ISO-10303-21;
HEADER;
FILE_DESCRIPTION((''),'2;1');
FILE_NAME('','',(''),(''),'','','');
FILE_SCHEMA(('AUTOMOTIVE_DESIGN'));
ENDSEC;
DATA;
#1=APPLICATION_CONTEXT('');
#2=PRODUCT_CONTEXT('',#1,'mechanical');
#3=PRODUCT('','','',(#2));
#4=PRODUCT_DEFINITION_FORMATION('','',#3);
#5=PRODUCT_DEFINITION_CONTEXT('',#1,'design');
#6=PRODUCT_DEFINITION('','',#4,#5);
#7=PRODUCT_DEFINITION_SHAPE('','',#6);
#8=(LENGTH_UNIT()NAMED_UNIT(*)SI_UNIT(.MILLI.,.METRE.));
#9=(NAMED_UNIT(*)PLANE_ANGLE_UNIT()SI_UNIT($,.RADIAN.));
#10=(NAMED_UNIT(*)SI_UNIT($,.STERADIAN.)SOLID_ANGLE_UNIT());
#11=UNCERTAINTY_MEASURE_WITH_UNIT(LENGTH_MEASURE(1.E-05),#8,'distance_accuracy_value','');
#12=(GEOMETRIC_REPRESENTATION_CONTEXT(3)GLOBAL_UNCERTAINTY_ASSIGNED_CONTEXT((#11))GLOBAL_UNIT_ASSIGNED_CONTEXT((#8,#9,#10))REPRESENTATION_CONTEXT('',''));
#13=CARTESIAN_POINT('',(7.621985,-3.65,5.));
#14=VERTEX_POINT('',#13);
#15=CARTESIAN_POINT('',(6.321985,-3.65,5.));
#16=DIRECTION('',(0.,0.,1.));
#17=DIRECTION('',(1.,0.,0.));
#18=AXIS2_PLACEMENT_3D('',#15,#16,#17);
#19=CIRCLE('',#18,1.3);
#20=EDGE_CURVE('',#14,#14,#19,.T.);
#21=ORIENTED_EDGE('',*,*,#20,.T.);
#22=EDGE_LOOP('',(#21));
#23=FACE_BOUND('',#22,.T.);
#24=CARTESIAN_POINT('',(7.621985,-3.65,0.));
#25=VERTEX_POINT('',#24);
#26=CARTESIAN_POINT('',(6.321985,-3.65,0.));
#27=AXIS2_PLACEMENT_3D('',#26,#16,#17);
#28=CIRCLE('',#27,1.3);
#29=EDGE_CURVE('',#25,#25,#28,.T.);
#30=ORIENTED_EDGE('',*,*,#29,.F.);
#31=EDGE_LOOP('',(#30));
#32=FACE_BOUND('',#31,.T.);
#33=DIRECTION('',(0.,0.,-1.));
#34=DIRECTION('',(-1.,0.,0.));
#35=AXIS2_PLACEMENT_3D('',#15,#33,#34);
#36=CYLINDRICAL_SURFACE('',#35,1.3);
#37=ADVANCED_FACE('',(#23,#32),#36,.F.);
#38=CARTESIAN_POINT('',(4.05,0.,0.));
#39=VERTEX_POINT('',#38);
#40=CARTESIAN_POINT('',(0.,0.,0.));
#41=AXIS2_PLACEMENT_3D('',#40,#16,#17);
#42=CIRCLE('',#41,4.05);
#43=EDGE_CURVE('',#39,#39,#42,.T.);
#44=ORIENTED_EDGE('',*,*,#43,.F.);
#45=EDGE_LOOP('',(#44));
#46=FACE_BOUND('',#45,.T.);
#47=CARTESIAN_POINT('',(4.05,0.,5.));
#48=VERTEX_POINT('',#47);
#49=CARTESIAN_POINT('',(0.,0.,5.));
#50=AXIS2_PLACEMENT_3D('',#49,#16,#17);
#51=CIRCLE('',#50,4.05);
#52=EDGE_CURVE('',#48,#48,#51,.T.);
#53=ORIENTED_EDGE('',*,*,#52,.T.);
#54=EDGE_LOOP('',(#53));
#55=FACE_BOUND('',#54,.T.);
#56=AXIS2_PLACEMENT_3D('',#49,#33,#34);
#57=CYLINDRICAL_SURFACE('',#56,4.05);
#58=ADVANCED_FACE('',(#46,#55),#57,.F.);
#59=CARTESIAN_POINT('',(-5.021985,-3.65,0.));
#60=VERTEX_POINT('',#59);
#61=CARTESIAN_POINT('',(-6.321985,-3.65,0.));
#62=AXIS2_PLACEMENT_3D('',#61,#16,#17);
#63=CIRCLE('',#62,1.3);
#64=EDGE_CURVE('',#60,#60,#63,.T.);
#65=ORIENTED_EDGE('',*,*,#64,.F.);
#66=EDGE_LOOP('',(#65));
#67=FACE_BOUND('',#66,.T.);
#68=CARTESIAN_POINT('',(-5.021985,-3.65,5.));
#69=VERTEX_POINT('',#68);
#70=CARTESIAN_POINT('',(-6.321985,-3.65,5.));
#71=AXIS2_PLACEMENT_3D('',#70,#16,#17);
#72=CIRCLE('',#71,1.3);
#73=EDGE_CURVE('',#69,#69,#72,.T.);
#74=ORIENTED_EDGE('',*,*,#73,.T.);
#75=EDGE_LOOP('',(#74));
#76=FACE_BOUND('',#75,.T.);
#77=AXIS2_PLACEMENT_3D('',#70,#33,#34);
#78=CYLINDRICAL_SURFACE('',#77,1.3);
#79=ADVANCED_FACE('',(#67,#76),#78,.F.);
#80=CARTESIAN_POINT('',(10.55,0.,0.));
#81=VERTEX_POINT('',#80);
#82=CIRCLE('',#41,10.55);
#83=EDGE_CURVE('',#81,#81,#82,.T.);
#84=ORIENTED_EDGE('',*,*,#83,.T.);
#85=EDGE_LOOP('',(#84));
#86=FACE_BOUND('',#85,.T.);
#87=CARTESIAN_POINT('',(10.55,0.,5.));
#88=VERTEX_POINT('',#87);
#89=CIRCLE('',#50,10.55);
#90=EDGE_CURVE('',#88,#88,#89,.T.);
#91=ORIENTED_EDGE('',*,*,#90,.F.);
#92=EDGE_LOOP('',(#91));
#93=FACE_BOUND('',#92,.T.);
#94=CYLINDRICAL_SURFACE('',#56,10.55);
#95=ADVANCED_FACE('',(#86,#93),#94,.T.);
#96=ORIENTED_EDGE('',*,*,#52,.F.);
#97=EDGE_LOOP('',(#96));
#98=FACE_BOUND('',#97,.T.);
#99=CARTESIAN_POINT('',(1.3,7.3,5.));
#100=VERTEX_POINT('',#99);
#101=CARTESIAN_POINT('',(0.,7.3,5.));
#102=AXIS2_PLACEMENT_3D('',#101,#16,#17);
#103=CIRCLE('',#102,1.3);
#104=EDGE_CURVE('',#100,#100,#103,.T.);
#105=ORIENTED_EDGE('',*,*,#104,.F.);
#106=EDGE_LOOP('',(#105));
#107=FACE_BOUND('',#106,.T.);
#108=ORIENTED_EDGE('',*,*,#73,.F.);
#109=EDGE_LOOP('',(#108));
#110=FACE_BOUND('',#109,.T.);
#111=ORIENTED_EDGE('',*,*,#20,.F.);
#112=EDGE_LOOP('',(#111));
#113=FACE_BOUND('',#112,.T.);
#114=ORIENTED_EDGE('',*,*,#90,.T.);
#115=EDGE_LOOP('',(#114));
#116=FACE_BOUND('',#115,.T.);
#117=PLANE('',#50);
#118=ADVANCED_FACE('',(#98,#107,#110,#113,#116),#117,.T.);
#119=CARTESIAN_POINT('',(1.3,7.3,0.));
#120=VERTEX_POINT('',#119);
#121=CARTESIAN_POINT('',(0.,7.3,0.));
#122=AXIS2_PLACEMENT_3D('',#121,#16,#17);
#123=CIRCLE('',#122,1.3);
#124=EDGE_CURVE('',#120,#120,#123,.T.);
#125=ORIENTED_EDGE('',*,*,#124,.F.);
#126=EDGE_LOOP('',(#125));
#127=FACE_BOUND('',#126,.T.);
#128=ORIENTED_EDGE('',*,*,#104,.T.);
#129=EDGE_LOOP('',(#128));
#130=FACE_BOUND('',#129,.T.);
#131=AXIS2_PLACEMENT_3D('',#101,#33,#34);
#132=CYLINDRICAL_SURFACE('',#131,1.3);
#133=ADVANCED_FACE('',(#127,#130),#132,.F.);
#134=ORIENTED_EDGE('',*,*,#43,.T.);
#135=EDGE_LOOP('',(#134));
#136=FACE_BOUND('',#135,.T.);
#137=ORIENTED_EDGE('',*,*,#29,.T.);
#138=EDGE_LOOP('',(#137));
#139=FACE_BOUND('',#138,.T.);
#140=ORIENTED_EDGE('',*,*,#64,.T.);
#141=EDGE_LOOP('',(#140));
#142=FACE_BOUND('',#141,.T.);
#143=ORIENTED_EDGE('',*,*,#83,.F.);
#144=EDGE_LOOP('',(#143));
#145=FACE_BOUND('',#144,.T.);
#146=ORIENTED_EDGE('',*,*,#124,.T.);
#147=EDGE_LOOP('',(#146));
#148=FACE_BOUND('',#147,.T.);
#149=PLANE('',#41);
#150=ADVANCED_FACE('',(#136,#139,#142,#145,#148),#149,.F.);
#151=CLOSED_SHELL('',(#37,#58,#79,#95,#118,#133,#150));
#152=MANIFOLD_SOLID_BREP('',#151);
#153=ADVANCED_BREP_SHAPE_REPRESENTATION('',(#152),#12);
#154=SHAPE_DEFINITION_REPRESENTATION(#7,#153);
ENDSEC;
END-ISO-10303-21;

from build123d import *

# Parameters (mm, degrees)
SKETCH1_R           = 10.55
SKETCH1_R_2         = 4.05
SKETCH1_R_3         = 1.3
BOSS_EXTRUDE1_DEPTH = 5


with BuildPart() as part:
    # Sketch1 → Boss-Extrude1 (new body)
    with BuildSketch(Plane.XY):
        Circle(SKETCH1_R)
        Circle(SKETCH1_R_2, mode=Mode.SUBTRACT)
        with Locations((0, 7.3)):
            Circle(SKETCH1_R_3, mode=Mode.SUBTRACT)
        with Locations((6.321985448, -3.65)):
            Circle(SKETCH1_R_3, mode=Mode.SUBTRACT)
        with Locations((-6.321985448, -3.65)):
            Circle(SKETCH1_R_3, mode=Mode.SUBTRACT)
    extrude(amount=BOSS_EXTRUDE1_DEPTH)


solid = part.part
